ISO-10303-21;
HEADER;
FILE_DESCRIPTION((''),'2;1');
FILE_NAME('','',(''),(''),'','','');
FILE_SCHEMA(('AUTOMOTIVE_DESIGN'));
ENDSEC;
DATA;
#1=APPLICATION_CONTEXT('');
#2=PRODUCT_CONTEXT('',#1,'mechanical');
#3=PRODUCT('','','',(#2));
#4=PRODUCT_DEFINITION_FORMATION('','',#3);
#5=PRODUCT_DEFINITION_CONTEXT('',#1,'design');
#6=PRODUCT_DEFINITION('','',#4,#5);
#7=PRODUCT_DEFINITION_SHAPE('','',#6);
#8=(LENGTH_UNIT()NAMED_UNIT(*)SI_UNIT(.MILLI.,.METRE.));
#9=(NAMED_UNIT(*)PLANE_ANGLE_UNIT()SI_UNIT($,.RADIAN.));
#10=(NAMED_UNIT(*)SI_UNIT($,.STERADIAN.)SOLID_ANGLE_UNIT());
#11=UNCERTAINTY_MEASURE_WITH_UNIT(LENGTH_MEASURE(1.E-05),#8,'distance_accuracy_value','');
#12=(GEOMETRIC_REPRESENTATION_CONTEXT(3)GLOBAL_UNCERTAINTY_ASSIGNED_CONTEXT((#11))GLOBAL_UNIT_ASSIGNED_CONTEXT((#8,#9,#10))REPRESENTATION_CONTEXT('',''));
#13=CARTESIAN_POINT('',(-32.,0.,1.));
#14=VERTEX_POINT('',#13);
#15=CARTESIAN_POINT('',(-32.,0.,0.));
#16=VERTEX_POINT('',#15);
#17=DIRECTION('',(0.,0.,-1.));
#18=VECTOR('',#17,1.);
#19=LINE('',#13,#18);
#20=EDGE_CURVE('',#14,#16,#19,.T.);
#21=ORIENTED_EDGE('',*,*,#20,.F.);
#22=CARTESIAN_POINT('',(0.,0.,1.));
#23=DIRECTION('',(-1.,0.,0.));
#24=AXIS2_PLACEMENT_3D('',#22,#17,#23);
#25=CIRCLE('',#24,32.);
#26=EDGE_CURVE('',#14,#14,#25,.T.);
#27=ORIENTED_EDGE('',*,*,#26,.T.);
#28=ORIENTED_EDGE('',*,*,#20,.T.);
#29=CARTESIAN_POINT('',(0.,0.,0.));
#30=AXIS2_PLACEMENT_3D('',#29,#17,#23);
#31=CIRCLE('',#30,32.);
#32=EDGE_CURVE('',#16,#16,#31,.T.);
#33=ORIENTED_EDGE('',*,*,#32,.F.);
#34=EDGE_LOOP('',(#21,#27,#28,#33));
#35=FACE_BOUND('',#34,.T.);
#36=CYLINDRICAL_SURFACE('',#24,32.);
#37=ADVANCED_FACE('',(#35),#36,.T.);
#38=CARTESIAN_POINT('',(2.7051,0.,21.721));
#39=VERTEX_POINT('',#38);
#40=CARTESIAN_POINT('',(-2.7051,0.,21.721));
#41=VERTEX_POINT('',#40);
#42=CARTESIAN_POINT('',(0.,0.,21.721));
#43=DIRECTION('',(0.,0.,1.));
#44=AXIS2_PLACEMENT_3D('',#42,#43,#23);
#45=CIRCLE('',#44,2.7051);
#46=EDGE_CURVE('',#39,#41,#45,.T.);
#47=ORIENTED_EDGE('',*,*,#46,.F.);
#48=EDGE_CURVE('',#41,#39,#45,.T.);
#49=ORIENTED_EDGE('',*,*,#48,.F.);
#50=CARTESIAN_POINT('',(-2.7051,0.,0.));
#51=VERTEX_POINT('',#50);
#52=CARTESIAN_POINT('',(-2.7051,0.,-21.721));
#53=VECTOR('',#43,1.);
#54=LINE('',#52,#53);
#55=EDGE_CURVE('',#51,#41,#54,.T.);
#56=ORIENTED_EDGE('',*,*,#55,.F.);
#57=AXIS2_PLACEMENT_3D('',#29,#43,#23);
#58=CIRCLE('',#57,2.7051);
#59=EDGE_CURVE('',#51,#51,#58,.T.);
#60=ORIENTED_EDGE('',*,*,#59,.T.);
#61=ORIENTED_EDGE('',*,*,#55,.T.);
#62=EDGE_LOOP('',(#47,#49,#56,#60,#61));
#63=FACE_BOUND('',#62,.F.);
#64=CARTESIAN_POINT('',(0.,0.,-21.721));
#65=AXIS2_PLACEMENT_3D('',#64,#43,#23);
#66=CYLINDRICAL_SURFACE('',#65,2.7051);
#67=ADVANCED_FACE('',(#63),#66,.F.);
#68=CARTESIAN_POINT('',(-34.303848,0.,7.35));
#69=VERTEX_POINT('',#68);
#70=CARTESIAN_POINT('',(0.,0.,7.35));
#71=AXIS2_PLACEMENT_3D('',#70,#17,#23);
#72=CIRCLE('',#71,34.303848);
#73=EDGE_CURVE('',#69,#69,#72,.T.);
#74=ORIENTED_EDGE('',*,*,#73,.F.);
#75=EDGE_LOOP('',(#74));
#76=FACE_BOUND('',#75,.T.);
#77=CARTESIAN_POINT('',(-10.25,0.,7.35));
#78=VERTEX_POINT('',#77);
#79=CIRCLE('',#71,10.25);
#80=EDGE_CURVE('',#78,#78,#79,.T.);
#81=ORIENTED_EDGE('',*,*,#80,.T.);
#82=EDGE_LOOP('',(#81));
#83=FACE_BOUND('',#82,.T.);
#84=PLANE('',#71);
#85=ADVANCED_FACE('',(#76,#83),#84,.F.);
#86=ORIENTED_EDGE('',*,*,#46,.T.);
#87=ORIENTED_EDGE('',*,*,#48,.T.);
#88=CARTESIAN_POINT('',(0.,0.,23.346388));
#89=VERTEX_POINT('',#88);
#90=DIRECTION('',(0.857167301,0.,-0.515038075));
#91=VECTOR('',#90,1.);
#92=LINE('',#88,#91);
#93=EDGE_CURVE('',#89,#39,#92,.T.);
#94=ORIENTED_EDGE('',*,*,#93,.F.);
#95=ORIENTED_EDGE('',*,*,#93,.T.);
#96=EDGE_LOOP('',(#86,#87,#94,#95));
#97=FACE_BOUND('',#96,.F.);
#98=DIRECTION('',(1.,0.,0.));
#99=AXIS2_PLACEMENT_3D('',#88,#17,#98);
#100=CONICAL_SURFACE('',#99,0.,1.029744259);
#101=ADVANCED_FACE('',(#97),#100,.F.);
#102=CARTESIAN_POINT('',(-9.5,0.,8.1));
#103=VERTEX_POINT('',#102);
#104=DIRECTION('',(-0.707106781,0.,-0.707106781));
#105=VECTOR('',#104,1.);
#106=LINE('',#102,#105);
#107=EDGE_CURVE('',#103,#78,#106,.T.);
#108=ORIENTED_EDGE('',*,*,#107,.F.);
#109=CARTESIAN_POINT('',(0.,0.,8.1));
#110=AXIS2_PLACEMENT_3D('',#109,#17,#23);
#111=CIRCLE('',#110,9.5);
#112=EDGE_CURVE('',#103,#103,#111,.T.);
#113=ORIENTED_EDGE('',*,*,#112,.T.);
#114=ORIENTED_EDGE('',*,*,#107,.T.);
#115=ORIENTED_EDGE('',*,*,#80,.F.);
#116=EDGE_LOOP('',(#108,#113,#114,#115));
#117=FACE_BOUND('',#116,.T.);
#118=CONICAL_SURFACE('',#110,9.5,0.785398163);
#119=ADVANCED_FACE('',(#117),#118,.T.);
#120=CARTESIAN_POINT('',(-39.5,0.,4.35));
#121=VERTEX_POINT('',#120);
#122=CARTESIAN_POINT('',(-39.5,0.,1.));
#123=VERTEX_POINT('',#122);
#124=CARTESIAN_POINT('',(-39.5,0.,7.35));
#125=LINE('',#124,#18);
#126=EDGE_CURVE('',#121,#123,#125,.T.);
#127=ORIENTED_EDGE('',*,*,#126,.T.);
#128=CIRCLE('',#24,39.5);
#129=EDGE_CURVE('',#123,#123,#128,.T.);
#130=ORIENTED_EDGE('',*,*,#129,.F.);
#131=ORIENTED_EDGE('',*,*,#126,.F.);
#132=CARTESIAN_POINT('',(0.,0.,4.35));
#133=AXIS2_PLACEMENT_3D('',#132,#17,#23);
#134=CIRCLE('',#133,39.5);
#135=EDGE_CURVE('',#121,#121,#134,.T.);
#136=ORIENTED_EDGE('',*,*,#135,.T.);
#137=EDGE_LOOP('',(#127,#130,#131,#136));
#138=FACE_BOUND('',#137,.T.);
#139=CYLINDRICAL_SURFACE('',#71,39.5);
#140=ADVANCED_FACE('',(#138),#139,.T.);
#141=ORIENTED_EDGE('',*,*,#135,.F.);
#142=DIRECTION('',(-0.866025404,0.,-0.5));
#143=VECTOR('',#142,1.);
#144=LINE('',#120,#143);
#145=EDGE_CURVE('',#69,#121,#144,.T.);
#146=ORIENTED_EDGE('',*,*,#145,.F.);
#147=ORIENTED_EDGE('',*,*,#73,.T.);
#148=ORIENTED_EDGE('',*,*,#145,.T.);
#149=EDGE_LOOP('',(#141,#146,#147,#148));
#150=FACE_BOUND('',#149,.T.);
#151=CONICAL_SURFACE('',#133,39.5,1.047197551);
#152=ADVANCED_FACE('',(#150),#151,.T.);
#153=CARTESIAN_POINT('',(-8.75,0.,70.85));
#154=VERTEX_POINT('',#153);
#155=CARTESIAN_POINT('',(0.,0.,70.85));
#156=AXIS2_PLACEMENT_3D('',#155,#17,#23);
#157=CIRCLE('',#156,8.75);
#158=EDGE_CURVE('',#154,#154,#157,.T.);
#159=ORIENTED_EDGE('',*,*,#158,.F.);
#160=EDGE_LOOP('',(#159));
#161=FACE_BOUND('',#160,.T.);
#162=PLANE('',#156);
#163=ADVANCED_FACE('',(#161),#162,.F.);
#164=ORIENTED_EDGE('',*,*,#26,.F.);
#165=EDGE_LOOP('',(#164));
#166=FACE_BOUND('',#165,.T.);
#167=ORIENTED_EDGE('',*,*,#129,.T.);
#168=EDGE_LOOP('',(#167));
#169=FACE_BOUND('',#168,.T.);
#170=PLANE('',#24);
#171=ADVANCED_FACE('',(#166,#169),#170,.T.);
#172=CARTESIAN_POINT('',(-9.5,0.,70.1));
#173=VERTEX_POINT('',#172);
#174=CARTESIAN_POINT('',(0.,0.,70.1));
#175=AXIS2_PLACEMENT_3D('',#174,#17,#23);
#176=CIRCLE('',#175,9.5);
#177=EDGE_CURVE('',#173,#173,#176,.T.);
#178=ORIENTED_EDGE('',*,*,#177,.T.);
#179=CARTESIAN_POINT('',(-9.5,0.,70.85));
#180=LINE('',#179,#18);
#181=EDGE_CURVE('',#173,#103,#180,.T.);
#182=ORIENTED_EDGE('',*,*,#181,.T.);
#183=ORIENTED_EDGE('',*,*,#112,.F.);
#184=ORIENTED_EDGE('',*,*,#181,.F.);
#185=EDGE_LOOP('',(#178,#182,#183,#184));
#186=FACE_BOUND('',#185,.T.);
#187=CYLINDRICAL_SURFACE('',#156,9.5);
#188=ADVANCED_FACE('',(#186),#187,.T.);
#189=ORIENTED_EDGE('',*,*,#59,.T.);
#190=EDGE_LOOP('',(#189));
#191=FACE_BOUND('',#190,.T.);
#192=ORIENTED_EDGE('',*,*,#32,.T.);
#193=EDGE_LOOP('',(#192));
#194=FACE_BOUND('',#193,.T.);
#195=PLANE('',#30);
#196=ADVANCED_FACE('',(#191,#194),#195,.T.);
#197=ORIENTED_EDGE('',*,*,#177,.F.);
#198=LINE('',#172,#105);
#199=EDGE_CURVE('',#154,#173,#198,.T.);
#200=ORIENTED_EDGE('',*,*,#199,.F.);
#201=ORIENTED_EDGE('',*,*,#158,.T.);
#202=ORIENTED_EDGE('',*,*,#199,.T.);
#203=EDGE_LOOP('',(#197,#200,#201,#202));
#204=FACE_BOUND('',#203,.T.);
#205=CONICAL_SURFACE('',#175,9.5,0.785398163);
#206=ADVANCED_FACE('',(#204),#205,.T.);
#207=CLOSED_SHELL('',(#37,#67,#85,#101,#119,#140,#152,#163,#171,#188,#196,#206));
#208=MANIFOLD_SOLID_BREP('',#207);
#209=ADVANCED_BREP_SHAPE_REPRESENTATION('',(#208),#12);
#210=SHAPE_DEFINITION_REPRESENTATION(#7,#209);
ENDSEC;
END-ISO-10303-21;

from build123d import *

# Parameters (mm, degrees)
F2_SIZE  = 0.75
F3_SIZE2 = 3
F3_SIZE  = 5.1961524227
F5_D     = 5.4102
F5_DEPTH = 21.721
F5_TIP   = 1.6253880605


with BuildPart() as f1:
    # F0 (on Front) → F1 (revolve)
    with BuildSketch(Plane.XZ):
        Polygon((-32, 0), (0, 0), (0, 70.85), (-9.5, 70.85), (-9.5, 7.35), (-39.5, 7.35), (-39.5, 1), (-32, 1), align=None)
    revolve(axis=Axis((0, 0, 35.425), (0, 0, -1)))

    # F2
    f2_edges = [f1.edges().sort_by_distance(p)[0] for p in [
        (9.5, 0, 70.85),
        (9.5, 0, 7.35),
    ]]
    chamfer(f2_edges, length=F2_SIZE)

    # F3
    f3_edges = [f1.edges().sort_by_distance(p)[0] for p in [
        (39.5, 0, 7.35),
    ]]
    f3_side = f1.faces().sort_by_distance((11.367229, 0, 7.35))[0]
    chamfer(f3_edges, length=F3_SIZE, length2=F3_SIZE2, reference=f3_side)

    # F5
    with Locations(Plane(origin=(0, 0, 0), x_dir=(1, 0, 0), z_dir=(0, 0, -1))):
        with Locations((0, 0)):
            Hole(F5_D / 2, depth=F5_DEPTH)
            with Locations((0, 0, -(F5_DEPTH + F5_TIP / 2))):  # 118° drill point
                Cone(0, F5_D / 2, F5_TIP, mode=Mode.SUBTRACT)


solid = f1.part
